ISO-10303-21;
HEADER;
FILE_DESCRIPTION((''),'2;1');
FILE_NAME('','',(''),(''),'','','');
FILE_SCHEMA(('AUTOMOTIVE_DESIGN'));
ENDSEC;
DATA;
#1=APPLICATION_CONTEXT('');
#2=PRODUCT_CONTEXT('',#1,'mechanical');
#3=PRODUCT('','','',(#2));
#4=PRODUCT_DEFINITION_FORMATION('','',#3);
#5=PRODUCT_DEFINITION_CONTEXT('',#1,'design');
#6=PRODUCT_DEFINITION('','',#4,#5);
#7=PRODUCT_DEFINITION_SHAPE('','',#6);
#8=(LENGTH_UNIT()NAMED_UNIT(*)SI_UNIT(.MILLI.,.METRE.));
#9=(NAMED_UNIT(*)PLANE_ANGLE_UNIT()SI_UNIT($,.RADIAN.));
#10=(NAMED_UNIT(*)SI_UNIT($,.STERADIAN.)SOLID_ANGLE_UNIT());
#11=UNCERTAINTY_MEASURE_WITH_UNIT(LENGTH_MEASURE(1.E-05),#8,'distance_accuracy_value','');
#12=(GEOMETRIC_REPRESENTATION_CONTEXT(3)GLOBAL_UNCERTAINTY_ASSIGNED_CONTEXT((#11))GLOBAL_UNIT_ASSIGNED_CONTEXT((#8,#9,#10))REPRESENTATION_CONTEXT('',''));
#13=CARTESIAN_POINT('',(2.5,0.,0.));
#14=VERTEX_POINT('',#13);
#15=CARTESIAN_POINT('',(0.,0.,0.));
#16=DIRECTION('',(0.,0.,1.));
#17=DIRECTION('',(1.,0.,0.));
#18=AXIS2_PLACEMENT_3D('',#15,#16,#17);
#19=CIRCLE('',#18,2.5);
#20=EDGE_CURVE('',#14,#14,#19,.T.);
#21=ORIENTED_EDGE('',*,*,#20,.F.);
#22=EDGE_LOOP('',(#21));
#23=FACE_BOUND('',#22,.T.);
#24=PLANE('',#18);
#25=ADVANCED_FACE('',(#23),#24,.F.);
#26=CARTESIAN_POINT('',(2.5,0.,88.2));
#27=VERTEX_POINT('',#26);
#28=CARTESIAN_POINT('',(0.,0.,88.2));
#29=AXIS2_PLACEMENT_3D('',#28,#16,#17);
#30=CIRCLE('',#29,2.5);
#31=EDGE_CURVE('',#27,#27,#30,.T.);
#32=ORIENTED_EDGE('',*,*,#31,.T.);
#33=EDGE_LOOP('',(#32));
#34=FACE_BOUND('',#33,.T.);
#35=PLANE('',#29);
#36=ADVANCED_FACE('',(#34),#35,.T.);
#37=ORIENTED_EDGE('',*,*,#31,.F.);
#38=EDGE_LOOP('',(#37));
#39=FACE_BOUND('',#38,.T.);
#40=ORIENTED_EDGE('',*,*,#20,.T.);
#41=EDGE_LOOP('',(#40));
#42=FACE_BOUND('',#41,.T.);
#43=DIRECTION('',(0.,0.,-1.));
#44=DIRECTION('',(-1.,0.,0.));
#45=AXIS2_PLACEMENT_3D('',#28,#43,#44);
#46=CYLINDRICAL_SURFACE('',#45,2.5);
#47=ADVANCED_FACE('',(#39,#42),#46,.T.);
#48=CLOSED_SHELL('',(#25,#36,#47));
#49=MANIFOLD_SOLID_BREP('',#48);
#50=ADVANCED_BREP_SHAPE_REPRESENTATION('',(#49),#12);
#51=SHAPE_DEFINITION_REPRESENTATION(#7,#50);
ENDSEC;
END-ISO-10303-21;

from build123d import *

# Parameters (mm, degrees)
SKETCH_1_R             = 2.5
EXTRUDE_1_DEPTH        = 88.2
SKETCH_2_R             = 12.5
EXTRUDE_2_DEPTH        = 62
SKETCH_3_W             = 40
SKETCH_3_H             = 17.730441408
SKETCH_3_R             = 5
EXTRUDE_3_DEPTH        = 3
PATTERN_LINEAR_1_COUNT = 2
PATTERN_LINEAR_1_PITCH = 59
SKETCH_5_R             = 2.5
CUT_EXTRUDE_1_DEPTH    = 98.649833589


with BuildPart() as part:
    # 草图1 → 凸台-拉伸1 (new body)
    with BuildSketch(Plane.XY):
        Circle(SKETCH_1_R)
    extrude(amount=EXTRUDE_1_DEPTH)

    # 草图2 → 凸台-拉伸2 (add)
    with BuildSketch(Plane.XY.offset(73.2)):
        Circle(SKETCH_2_R)
    extrude(amount=-EXTRUDE_2_DEPTH)

    # 草图3 → 凸台-拉伸3 (add)
    with BuildSketch(Plane.XY.offset(73.2)):
        with Locations((20, 0)):
            Rectangle(SKETCH_3_W, SKETCH_3_H)
        with Locations((32.640039451, 0)):
            Circle(SKETCH_3_R, mode=Mode.SUBTRACT)
    extrude_3 = extrude(amount=-EXTRUDE_3_DEPTH)

    # 阵列(线性)1: 凸台-拉伸3 ×2
    with Locations(*[(0, 0, -i * PATTERN_LINEAR_1_PITCH) for i in range(1, PATTERN_LINEAR_1_COUNT)]):
        add(extrude_3)

    # 草图5 → 切除-拉伸1 (cut, through all)
    with BuildSketch(Plane.XY.offset(88.2)):
        with BuildLine():
            Line((8.812369821, 8.865220704), (40, 8.865220704))
            Line((40, 8.865220704), (40, -8.865220704))
            Line((40, -8.865220704), (8.812369821, -8.865220704))
            ThreePointArc((8.812369821, -8.865220704), (-12.5, 0), (8.812369821, 8.865220704))
        make_face()
        Circle(SKETCH_5_R, mode=Mode.SUBTRACT)
    extrude(amount=-CUT_EXTRUDE_1_DEPTH, mode=Mode.SUBTRACT)


solid = part.part
